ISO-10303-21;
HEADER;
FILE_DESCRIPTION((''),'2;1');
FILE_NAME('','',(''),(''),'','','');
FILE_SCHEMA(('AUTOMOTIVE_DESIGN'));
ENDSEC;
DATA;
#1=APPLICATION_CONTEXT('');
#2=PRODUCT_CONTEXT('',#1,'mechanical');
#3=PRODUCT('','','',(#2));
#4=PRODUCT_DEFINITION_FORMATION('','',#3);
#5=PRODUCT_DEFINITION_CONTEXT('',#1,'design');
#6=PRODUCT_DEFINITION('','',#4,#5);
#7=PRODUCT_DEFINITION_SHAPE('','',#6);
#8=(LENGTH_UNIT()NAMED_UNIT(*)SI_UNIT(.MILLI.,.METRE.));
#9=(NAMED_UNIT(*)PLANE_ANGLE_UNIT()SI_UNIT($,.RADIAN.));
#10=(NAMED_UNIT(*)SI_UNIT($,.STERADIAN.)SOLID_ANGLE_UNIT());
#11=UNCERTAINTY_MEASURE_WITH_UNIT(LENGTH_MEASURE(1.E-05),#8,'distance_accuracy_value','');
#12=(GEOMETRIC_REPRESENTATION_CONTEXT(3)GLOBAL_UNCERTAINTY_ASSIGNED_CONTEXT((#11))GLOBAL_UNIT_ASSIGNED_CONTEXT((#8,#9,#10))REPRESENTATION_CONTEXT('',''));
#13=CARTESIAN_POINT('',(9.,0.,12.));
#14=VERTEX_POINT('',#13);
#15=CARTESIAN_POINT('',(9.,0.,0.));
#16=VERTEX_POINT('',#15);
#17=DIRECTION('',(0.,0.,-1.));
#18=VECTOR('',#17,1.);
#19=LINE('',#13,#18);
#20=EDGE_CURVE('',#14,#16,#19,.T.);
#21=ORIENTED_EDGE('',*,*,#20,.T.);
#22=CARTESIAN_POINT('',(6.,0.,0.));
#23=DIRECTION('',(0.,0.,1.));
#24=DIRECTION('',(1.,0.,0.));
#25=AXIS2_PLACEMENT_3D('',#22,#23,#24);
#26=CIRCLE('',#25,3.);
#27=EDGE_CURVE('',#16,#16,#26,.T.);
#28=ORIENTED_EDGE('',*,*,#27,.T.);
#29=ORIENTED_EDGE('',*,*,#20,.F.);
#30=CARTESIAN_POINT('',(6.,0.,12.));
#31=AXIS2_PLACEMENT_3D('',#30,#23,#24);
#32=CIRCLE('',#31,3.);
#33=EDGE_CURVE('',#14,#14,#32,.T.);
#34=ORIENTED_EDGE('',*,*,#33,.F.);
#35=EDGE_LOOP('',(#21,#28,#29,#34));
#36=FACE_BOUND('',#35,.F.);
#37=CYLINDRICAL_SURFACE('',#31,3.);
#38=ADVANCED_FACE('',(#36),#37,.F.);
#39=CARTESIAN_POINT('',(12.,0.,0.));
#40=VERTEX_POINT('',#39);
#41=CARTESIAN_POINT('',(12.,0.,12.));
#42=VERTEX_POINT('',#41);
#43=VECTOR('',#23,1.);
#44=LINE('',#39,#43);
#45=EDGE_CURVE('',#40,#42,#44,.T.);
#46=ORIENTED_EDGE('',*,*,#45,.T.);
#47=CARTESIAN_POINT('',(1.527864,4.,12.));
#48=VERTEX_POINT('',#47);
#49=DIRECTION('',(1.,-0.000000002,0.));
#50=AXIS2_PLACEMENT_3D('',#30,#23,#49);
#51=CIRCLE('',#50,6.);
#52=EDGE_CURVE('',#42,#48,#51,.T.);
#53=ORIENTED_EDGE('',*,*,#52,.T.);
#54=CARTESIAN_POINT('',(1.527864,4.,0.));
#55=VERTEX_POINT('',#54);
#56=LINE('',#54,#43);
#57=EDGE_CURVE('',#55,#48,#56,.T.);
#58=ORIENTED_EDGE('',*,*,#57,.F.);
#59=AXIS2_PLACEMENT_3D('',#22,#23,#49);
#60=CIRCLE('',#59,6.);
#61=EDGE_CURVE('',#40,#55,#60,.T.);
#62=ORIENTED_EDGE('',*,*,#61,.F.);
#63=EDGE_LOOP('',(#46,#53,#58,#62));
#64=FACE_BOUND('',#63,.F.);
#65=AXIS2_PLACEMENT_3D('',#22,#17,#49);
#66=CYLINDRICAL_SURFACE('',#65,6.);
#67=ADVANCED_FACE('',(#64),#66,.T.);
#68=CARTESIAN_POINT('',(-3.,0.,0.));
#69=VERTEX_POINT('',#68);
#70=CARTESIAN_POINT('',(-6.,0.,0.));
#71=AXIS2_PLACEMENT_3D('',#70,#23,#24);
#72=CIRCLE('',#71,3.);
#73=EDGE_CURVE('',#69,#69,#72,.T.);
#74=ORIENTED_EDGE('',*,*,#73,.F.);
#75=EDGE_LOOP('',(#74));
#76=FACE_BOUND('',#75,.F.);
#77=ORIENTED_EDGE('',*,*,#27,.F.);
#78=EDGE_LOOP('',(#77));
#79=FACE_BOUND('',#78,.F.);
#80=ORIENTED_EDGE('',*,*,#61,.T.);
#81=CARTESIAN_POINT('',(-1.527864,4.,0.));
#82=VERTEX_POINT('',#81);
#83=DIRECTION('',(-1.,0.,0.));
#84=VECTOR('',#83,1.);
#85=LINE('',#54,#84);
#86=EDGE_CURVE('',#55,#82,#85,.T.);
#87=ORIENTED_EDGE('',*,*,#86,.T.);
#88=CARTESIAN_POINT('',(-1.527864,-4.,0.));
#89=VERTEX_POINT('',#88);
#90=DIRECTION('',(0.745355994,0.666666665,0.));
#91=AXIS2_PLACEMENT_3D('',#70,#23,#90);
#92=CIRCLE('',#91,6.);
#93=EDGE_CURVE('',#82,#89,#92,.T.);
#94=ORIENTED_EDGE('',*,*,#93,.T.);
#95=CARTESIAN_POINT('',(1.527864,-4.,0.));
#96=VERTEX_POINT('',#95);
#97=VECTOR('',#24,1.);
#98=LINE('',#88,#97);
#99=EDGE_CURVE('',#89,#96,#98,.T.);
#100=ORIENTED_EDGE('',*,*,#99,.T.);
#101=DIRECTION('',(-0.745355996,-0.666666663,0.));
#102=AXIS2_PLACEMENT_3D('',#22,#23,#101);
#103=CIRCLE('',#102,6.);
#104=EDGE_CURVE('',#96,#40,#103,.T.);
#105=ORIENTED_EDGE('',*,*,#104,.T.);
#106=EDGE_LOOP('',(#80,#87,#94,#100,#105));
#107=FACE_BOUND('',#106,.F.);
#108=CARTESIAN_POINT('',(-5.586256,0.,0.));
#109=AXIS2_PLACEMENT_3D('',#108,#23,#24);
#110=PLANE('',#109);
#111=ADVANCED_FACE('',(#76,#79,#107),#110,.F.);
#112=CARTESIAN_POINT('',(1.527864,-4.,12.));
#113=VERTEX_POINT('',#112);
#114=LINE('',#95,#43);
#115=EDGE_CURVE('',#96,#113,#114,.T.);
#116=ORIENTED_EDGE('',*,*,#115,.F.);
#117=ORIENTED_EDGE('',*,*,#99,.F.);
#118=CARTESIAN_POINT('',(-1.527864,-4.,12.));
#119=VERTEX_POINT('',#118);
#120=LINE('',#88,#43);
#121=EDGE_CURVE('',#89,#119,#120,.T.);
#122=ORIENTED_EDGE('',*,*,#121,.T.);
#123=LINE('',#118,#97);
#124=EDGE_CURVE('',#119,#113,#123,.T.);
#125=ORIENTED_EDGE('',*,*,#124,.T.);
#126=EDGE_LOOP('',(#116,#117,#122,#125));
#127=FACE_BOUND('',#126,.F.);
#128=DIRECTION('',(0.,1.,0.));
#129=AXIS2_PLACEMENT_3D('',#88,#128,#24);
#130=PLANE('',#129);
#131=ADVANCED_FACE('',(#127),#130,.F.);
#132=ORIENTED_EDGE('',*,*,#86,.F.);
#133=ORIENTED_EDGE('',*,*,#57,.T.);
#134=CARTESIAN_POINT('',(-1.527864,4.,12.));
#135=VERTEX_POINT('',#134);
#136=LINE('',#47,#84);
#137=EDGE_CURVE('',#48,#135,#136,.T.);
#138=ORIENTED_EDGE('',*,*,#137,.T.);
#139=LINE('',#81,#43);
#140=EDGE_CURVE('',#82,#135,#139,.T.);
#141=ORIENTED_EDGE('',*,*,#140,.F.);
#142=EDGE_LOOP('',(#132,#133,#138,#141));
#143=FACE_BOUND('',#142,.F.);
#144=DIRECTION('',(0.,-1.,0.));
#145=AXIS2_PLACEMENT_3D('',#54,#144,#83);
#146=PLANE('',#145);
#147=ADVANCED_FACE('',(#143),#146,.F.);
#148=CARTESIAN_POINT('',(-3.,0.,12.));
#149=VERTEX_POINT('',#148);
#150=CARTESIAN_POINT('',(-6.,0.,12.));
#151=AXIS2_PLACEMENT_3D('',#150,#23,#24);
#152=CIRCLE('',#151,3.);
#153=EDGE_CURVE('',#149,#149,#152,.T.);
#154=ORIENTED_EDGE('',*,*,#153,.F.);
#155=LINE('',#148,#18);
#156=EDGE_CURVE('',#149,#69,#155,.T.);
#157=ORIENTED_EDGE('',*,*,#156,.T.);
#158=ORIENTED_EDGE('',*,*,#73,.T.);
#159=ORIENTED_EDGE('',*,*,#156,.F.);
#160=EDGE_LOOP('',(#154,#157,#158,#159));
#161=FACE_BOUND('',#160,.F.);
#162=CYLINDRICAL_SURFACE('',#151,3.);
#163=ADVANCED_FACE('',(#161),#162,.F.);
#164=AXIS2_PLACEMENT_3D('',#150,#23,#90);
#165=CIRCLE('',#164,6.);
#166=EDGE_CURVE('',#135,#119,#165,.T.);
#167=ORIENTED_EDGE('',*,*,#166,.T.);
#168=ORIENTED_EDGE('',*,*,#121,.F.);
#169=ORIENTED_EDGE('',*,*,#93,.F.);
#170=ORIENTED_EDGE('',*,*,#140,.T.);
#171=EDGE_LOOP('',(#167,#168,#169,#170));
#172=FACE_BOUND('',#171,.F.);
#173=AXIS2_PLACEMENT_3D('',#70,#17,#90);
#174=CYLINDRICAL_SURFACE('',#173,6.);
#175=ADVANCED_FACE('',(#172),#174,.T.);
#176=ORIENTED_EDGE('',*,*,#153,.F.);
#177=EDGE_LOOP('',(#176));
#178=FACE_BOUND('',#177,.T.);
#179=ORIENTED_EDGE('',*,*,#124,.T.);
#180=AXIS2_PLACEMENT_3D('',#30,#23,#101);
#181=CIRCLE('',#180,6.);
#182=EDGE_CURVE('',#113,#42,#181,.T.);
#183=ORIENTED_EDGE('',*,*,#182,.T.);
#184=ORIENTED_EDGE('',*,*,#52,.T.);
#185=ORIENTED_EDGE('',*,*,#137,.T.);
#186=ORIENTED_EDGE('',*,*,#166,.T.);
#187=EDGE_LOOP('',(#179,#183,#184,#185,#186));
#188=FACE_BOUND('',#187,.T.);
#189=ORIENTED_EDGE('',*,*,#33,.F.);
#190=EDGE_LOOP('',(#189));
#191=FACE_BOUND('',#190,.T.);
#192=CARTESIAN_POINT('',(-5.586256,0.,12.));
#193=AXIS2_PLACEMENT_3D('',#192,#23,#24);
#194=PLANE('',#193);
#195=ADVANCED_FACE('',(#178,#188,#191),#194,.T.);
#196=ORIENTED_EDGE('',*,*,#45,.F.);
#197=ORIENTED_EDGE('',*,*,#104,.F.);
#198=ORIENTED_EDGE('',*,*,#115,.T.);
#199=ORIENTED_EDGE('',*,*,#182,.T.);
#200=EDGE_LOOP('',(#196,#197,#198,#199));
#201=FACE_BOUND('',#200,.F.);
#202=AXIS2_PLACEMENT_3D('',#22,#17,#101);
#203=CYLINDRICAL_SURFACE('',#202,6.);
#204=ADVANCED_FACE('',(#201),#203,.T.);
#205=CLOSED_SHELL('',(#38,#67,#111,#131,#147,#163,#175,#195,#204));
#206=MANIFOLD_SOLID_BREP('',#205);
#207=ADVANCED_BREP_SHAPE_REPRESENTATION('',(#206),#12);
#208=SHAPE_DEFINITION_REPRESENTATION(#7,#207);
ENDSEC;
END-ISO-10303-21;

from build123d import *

# Parameters (mm, degrees)
F1_DEPTH = 12
F2_R     = 3
F3_DEPTH = 12.001


with BuildPart() as f1:
    # F0 (on Top) → F1 (new body)
    with BuildSketch(Plane.XY):
        with BuildLine():
            ThreePointArc((-1.527864, -4), (-0.394966, -2.140933), (0, 0))
            ThreePointArc((0, 0), (-0.394966, 2.140933), (-1.527864, 4))
            ThreePointArc((-1.527864, 4), (-12, 0), (-1.527864, -4))
        make_face()
        with BuildLine():
            ThreePointArc((1.527864, -4), (0.394966, -2.140933), (0, 0))
            ThreePointArc((0, 0), (-0.394966, -2.140933), (-1.527864, -4))
            Line((-1.527864, -4), (0, -4))
            Line((0, -4), (1.527864, -4))
        make_face()
        with BuildLine():
            ThreePointArc((-1.527864, 4), (-0.394966, 2.140933), (0, 0))
            ThreePointArc((0, 0), (0.394966, 2.140933), (1.527864, 4))
            Line((1.527864, 4), (-1.527864, 4))
        make_face()
        with BuildLine():
            ThreePointArc((1.527864, 4), (0.394966, 2.140933), (0, 0))
            ThreePointArc((0, 0), (0.394966, -2.140933), (1.527864, -4))
            ThreePointArc((1.527864, -4), (8.140933, -5.605034), (12, 0))
            ThreePointArc((12, 0), (8.140933, 5.605034), (1.527864, 4))
        make_face()
    extrude(amount=F1_DEPTH)

    # F2 (on face) → F3 (cut, through all)
    with BuildSketch(Plane.XY.offset(12)):
        with Locations((-6, 0)):
            Circle(F2_R)
        with Locations((6, 0)):
            Circle(F2_R)
    extrude(amount=-F3_DEPTH, mode=Mode.SUBTRACT)


solid = f1.part
